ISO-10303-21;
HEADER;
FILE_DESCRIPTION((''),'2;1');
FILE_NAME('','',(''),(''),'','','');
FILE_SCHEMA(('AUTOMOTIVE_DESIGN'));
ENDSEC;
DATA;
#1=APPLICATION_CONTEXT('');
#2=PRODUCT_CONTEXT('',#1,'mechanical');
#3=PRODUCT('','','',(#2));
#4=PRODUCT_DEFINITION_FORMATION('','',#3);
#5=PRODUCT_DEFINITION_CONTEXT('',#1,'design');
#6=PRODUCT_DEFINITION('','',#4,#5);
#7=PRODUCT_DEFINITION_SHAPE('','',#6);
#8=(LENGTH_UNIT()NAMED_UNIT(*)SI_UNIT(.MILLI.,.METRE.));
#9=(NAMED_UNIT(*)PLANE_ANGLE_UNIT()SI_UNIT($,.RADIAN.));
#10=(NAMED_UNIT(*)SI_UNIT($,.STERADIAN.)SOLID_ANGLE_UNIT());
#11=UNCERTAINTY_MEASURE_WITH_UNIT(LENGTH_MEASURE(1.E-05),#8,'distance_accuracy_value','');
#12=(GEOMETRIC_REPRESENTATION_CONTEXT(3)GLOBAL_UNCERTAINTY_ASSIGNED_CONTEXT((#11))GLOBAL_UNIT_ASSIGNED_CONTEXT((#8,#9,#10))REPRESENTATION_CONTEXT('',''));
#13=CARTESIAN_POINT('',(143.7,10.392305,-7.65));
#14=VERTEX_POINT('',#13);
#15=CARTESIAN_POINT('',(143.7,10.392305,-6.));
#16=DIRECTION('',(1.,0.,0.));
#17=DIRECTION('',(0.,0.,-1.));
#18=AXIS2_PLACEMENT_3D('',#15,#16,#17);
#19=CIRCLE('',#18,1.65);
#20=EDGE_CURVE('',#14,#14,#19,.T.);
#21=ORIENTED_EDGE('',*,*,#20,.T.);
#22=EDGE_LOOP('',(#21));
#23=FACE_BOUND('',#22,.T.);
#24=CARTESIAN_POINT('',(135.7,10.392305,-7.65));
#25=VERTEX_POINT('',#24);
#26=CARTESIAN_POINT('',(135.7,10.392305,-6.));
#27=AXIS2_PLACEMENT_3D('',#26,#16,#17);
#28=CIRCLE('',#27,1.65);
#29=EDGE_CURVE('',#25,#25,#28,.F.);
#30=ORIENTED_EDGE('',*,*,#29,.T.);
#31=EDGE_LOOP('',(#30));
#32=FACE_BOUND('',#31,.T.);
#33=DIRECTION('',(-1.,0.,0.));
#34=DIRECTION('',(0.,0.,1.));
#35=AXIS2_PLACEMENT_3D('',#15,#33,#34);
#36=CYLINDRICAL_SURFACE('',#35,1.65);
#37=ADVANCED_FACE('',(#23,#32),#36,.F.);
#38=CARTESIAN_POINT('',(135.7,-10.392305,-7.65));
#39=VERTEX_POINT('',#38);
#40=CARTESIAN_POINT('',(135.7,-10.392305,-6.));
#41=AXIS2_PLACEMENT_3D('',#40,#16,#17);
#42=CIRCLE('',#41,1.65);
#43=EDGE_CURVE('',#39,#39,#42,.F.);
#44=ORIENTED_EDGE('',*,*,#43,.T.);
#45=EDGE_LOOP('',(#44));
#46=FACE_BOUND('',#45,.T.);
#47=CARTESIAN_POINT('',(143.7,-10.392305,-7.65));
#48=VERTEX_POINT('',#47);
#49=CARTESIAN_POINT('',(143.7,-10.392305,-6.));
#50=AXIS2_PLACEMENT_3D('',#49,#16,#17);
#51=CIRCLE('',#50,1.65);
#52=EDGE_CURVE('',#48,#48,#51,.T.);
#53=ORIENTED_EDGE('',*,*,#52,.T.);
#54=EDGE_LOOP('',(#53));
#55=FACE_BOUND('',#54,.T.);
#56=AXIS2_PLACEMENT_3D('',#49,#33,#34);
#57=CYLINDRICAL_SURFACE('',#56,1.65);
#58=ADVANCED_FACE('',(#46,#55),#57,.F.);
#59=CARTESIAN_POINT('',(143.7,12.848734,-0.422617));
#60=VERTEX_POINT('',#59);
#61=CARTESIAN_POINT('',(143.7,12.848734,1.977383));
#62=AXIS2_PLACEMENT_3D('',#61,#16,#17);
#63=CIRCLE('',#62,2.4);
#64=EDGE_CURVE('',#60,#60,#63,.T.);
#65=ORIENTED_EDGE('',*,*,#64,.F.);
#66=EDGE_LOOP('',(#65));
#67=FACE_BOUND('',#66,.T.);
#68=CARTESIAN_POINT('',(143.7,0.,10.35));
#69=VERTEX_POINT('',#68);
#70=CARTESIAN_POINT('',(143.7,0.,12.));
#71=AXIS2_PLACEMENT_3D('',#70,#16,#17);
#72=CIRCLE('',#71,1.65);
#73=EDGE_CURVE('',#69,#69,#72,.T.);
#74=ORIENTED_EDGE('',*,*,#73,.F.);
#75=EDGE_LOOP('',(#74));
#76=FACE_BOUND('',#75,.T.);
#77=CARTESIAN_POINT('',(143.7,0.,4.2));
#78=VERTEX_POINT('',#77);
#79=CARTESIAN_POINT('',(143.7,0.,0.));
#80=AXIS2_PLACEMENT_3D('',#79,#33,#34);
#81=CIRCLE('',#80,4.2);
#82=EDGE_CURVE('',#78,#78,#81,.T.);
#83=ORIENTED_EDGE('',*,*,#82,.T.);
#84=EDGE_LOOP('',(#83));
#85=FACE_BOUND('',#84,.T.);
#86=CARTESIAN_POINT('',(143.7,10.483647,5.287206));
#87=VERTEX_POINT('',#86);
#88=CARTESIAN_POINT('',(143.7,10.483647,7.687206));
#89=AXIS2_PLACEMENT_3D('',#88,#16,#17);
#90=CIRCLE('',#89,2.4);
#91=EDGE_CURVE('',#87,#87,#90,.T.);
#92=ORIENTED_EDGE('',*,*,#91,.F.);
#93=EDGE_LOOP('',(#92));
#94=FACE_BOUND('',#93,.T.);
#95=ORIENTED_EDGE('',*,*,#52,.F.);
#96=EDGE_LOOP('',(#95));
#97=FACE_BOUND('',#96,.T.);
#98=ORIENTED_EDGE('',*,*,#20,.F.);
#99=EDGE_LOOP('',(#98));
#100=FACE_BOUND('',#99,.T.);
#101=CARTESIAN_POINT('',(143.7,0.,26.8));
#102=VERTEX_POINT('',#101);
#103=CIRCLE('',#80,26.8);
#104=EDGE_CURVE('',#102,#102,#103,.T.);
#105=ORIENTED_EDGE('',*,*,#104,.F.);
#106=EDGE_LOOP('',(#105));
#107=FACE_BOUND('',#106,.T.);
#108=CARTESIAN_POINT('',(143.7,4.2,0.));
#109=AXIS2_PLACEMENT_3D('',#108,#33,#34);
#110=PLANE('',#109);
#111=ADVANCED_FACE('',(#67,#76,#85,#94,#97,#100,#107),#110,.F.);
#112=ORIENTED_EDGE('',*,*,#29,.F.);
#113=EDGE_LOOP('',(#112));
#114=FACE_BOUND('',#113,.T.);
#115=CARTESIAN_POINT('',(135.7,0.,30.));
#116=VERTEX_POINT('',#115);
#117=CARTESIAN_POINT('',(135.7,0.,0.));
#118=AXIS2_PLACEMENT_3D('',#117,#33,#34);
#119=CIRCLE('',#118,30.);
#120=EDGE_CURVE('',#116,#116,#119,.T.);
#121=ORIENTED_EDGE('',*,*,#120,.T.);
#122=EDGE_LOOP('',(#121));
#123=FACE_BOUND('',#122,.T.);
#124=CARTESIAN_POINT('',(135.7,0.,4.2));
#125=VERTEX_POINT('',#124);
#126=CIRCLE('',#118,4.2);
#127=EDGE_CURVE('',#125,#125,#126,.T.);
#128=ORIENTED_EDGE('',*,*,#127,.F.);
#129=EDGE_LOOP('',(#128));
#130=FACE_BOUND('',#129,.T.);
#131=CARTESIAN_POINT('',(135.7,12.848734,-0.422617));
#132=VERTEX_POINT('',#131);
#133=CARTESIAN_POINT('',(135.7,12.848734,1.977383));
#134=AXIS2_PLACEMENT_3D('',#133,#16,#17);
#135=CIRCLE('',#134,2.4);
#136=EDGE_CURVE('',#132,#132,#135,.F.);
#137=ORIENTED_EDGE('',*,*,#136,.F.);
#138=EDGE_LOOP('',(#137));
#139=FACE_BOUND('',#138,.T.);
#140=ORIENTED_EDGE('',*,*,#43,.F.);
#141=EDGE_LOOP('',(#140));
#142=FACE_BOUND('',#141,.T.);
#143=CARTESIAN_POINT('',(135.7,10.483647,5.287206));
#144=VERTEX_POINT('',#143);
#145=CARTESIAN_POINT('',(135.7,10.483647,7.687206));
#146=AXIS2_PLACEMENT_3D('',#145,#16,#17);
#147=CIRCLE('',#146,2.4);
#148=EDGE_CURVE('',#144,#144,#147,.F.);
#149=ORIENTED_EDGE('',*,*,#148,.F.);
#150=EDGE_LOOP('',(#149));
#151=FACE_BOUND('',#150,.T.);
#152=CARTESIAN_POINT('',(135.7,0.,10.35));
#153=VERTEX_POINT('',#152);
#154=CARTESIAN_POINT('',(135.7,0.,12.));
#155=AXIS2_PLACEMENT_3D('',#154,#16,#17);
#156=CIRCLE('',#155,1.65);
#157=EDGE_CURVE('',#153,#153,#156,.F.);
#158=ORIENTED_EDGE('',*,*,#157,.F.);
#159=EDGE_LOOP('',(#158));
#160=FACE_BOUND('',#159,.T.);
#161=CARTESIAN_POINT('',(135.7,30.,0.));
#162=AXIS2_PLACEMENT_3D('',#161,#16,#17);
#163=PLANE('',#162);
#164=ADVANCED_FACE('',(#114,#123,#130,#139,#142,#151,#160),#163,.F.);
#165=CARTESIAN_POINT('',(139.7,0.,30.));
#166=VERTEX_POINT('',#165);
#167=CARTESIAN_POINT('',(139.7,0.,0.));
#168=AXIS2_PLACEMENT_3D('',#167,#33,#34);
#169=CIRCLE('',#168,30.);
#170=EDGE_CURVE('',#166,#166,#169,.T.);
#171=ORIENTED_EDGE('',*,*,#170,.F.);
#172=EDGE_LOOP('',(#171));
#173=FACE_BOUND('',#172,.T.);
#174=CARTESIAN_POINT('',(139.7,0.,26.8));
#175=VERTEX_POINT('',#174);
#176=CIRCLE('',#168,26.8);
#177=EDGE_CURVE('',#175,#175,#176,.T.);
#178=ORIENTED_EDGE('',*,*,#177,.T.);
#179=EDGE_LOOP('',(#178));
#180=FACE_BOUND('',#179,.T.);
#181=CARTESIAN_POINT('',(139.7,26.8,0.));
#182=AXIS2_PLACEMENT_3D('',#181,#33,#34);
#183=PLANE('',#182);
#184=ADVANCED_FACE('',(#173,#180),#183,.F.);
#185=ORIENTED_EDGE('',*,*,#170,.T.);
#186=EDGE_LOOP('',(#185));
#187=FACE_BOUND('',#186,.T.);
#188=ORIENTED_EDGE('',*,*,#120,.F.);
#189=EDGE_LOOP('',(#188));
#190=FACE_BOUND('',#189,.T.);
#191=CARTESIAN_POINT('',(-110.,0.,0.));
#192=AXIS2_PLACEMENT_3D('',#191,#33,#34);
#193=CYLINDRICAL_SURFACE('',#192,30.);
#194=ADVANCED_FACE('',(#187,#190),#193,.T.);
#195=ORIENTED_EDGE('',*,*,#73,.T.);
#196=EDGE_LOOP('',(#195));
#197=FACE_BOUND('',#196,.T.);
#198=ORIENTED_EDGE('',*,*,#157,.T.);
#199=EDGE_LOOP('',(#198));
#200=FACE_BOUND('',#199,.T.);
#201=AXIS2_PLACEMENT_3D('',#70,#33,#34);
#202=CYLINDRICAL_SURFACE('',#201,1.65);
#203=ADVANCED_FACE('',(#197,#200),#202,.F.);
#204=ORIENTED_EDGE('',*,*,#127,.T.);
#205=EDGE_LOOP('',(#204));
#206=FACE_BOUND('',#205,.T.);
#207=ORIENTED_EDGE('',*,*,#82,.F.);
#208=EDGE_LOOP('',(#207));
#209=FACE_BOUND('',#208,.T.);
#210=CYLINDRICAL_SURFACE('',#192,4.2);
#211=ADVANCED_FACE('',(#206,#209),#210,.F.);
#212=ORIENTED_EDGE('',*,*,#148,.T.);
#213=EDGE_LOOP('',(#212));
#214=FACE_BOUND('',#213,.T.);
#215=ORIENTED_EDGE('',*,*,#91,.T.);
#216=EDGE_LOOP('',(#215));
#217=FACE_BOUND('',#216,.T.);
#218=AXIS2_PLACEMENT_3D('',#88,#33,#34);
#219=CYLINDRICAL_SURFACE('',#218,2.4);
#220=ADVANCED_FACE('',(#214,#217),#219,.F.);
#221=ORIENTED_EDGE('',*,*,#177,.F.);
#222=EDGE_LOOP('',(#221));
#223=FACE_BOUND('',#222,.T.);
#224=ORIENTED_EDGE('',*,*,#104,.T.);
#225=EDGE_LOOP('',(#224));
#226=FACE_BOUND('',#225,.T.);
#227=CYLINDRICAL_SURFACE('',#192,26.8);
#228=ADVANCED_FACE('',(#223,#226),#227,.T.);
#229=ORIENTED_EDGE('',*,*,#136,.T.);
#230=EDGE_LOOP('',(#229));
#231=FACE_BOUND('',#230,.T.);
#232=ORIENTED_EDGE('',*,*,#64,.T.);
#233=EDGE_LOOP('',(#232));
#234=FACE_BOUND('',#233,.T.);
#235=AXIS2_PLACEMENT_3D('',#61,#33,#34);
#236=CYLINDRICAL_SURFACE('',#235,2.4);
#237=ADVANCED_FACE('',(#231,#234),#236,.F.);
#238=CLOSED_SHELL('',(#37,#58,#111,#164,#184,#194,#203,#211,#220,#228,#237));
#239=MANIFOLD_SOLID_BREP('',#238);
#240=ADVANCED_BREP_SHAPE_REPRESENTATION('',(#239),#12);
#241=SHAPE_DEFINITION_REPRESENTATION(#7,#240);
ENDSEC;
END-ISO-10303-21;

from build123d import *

# Parameters (mm, degrees)
AXIAL_HOLES_DEPTH      = 150.832206151
AXIAL_HOLES_DEPTH_BACK = 150.832206151
SKETCH2_R              = 2.4
SKETCH2_R_2            = 1.65


with BuildPart() as part:
    # Axial profile (mm) → Full revolution (revolve)
    with BuildSketch(Plane.XY, mode=Mode.PRIVATE) as full_revolution_sk:
        Polygon((135.7, 4.2), (143.7, 4.2), (143.7, 26.8), (139.7, 26.8), (139.7, 30), (135.7, 30), align=None)
    revolve(full_revolution_sk.sketch.rotate(Axis((-110, 0, 0), (1, 0, 0)), 90), axis=Axis((-110, 0, 0), (1, 0, 0)))

    # Sketch2 → Axial holes (cut, two sides: drawn at the far end of the back side and taken through both)
    with BuildSketch(Plane(origin=(0, 0, 0), x_dir=(0, 0, -1), z_dir=(1, 0, 0)).offset(-AXIAL_HOLES_DEPTH_BACK)):
        with Locations((-1.977382665, 12.848733704)):
            Circle(SKETCH2_R)
        with Locations((-7.687206041, 10.483647423)):
            Circle(SKETCH2_R)
        with Locations((-12, 0)):
            Circle(SKETCH2_R_2)
        with Locations((6, -10.392304845)):
            Circle(SKETCH2_R_2)
        with Locations((6, 10.392304845)):
            Circle(SKETCH2_R_2)
    extrude(amount=AXIAL_HOLES_DEPTH + AXIAL_HOLES_DEPTH_BACK, mode=Mode.SUBTRACT)


solid = part.part
